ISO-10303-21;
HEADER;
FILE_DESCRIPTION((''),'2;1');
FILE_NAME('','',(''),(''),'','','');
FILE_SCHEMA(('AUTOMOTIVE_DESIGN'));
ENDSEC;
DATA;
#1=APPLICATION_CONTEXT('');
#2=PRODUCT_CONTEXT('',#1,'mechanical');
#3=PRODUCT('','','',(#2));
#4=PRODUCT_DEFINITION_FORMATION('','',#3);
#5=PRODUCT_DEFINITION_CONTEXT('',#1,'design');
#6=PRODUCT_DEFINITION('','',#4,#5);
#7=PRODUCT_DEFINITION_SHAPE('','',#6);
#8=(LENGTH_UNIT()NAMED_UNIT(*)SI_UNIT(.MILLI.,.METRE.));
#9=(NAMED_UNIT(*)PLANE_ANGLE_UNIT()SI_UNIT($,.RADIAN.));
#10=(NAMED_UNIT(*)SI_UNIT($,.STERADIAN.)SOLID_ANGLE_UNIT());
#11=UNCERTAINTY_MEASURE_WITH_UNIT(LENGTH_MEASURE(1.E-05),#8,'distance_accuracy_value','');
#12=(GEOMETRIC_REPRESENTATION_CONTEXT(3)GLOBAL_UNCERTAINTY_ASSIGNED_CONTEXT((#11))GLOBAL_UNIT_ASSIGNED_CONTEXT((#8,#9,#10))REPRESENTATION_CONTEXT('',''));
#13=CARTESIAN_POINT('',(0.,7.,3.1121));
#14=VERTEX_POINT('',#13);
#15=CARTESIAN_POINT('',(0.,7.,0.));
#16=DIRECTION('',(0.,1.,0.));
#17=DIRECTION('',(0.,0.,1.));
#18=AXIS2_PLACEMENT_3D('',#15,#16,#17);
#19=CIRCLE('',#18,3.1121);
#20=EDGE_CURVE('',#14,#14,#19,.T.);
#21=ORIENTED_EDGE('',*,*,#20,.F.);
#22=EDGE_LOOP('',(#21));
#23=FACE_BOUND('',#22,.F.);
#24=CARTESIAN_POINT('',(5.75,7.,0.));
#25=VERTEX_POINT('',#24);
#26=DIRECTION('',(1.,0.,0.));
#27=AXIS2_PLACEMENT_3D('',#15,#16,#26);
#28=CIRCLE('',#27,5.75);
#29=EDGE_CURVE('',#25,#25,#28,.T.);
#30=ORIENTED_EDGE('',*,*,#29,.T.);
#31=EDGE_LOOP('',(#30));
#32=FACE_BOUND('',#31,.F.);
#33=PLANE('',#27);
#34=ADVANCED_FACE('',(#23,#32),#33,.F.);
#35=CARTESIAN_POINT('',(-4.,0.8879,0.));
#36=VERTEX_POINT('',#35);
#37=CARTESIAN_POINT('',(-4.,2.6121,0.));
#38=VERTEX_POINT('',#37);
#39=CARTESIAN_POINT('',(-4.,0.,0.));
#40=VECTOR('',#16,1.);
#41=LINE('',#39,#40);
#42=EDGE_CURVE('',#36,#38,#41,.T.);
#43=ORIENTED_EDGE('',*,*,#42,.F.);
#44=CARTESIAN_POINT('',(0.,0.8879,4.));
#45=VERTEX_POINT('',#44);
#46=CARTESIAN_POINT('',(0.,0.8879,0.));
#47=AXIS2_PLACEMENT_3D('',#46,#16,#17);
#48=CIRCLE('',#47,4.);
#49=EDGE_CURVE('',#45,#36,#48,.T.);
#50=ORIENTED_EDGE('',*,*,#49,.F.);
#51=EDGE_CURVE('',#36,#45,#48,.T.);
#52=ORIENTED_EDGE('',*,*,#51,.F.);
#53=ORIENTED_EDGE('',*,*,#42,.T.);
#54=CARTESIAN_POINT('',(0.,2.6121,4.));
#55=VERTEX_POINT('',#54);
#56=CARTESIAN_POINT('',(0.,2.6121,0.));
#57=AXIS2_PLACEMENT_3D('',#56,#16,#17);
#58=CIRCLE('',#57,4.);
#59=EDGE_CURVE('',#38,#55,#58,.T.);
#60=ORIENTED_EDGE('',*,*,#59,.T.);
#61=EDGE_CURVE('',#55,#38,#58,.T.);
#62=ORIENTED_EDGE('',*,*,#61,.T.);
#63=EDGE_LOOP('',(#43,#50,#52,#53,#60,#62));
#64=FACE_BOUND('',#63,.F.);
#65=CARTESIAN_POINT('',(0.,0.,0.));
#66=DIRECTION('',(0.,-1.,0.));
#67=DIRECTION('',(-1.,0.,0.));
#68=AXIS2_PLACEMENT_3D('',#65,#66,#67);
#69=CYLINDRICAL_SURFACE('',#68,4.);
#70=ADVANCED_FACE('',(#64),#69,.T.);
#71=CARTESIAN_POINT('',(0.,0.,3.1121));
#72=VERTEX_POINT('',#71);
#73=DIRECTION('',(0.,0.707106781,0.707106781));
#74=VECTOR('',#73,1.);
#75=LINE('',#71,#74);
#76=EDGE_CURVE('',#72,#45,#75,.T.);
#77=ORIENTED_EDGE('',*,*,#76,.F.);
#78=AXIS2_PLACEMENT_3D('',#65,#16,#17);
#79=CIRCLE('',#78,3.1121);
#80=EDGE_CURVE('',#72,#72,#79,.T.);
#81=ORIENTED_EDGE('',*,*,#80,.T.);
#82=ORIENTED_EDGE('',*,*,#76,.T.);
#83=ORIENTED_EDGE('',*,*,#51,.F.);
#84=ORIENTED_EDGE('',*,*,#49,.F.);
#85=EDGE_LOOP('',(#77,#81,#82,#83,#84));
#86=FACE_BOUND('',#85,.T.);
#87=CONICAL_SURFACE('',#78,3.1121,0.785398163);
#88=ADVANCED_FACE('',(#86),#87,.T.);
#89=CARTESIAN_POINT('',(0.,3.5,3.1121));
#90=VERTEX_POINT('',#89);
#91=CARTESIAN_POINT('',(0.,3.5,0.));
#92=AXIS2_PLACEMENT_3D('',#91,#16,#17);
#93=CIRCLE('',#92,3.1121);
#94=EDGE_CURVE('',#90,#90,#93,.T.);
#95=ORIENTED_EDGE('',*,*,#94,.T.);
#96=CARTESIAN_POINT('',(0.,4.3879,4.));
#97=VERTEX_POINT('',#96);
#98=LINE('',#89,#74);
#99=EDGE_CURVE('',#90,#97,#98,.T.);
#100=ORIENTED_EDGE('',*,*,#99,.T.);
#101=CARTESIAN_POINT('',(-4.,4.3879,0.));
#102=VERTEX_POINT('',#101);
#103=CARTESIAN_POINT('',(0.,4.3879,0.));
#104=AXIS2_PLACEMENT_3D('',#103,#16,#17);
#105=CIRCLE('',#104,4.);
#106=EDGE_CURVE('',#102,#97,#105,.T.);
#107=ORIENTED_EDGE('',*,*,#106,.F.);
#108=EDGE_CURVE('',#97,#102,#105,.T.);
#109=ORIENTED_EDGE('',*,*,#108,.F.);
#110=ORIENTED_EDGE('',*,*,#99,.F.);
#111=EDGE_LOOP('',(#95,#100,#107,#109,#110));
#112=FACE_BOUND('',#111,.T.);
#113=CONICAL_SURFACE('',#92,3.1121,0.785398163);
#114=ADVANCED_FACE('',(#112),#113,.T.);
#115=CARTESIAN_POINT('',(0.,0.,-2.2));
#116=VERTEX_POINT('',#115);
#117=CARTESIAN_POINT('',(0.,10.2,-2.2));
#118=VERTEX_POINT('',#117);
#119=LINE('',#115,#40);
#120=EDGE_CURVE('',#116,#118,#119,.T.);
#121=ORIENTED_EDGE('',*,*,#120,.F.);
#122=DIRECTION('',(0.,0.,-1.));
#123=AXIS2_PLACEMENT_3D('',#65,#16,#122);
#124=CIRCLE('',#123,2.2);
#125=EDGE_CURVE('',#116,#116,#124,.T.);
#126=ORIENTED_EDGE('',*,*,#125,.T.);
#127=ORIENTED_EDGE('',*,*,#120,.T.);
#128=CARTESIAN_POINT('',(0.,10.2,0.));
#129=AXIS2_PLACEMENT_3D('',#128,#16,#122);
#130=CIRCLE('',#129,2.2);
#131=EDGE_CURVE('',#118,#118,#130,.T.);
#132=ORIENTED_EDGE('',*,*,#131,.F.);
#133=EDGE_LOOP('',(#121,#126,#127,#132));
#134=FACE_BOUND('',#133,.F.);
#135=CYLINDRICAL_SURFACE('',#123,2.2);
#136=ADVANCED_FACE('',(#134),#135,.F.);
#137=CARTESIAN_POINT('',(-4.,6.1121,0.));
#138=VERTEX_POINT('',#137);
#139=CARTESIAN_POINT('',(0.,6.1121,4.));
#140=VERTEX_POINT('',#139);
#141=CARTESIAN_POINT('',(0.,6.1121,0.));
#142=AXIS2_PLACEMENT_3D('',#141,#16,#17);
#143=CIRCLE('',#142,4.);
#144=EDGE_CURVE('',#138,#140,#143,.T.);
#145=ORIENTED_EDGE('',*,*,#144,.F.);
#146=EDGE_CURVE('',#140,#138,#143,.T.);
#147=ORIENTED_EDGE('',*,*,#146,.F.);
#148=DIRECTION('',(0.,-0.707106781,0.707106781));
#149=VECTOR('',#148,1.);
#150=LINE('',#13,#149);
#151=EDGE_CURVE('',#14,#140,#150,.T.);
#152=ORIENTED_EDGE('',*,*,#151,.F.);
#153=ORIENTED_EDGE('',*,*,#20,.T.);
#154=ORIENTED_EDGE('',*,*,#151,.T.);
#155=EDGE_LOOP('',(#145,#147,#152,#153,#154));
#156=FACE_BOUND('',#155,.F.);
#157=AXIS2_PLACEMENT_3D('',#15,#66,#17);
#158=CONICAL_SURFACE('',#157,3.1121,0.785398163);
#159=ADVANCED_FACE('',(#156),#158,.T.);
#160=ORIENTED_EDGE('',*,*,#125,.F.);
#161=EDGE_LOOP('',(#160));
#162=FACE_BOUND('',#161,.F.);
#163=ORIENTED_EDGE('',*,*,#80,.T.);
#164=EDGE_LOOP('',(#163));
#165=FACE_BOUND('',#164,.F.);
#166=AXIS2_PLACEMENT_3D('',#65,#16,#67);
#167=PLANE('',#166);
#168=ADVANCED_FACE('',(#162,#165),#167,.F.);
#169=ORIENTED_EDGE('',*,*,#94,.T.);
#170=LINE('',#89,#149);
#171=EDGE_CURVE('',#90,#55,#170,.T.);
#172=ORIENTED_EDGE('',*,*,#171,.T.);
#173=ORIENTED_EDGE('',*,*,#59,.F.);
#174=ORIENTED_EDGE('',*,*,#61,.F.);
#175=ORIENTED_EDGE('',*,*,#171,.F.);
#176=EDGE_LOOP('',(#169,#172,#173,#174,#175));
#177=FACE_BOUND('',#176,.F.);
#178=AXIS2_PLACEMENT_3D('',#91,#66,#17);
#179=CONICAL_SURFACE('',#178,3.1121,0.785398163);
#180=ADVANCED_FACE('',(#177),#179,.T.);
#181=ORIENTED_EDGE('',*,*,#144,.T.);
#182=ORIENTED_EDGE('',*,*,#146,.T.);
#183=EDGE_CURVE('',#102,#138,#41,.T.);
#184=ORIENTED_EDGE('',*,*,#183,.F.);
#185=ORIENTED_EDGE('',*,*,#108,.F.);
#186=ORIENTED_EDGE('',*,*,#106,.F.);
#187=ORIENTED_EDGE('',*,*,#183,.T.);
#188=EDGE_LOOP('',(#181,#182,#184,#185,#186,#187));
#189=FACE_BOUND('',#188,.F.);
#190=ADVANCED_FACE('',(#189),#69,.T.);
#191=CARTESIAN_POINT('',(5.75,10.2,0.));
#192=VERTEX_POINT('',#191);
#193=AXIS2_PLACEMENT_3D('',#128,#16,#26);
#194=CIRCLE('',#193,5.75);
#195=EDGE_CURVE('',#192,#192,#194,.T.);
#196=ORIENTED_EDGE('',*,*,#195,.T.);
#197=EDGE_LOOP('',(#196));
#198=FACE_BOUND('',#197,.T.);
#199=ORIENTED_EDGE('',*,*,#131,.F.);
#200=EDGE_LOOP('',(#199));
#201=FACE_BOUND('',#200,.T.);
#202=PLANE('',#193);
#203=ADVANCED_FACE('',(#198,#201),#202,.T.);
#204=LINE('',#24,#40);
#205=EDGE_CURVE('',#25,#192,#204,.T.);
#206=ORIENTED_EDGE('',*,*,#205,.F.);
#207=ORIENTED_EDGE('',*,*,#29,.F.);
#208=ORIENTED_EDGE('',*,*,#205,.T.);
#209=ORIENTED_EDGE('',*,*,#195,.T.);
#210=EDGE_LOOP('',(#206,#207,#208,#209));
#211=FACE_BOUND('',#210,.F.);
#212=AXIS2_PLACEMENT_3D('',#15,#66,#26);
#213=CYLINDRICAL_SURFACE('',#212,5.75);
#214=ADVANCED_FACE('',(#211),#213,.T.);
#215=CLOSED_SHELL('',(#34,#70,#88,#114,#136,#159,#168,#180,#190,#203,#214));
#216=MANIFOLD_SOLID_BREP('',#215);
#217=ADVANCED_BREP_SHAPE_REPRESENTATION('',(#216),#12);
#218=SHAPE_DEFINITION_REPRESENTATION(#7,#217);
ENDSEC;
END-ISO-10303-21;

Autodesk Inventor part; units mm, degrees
ref_plane "YZ Plane" through (0, 0, 0) normal (1, 0, 0) x (0, 1, 0)
ref_plane "XZ Plane" through (0, 0, 0) normal (0, 1, 0) x (-1, 0, 0)
ref_plane "XY Plane" through (0, 0, 0) normal (0, 0, 1) x (1, 0, 0)
sketch "Sketch1" plane through (0, 0, 0) normal (0, 1, 0) x (-1, 0, 0)
  circle A0 centre (0, 0) radius 4
  dimension "d0" = 8
extrude "Extrusion1" add sketch "Sketch1" along normal blind 7
sketch "Sketch2" plane through (0, 7, 0) normal (0, 1, 0) x (1, 0, 0)
  circle A0 centre (0, 0) radius 5.75
  dimension "d3" = 11.5
extrude "Extrusion2" add sketch "Sketch2" along normal blind 3.2
sketch "Sketch4" plane through (0, 0, 0) normal (1, 0, 0) x (0, 1, 0)
  line L0 (20.4, 3.1121) -> (19.5121, 4)
  line L1 (19.5121, 4) -> (17.7879, 4)
  line L2 (16.9, 3.1121) -> (17.7879, 4)
  line L3 (13.4, 3.1121) -> (14.2879, 4)
  line L4 (14.2879, 4) -> (16.0121, 4)
  line L5 (16.9, 3.1121) -> (16.0121, 4)
  line L6 (13.4, 3.1121) -> (13.4, 6.6121)
  line L7 (13.4, 8.5445) -> (20.4, 8.5445)
  line L8 (20.4, 8.5445) -> (20.4, 3.1121)
  line L9 (0, 3.1121) -> (0.8879, 4)
  line L10 (0.8879, 4) -> (2.6121, 4)
  line L11 (3.5, 3.1121) -> (2.6121, 4)
  line L12 (3.5, 3.1121) -> (4.3879, 4)
  line L13 (6.1121, 4) -> (4.3879, 4)
  line L14 (7, 3.1121) -> (6.1121, 4)
  line L15 (7, 3.1121) -> (7, 6.6121)
  line L16 (7, 8.5445) -> (0, 8.5445)
  line L17 (0, 8.5445) -> (0, 3.1121)
  line L18 (13.4, 6.6121) -> (7, 6.6121)
  line L19 (13.4, 8.5445) -> (7, 8.5445)
  line L20 (-4.08, 0) -> (24.48, 0) projected
  point P0 (0, 0)
revolve "Revolution1" cut sketch "Sketch4" angle 360 about axis through (0, -10, 0) along (0, 1, 0)
hole "Hole2" at (0, 0, 0) direction (0, 1, 0) diameter 4.4 end through all
properties part number "Split spacer"
